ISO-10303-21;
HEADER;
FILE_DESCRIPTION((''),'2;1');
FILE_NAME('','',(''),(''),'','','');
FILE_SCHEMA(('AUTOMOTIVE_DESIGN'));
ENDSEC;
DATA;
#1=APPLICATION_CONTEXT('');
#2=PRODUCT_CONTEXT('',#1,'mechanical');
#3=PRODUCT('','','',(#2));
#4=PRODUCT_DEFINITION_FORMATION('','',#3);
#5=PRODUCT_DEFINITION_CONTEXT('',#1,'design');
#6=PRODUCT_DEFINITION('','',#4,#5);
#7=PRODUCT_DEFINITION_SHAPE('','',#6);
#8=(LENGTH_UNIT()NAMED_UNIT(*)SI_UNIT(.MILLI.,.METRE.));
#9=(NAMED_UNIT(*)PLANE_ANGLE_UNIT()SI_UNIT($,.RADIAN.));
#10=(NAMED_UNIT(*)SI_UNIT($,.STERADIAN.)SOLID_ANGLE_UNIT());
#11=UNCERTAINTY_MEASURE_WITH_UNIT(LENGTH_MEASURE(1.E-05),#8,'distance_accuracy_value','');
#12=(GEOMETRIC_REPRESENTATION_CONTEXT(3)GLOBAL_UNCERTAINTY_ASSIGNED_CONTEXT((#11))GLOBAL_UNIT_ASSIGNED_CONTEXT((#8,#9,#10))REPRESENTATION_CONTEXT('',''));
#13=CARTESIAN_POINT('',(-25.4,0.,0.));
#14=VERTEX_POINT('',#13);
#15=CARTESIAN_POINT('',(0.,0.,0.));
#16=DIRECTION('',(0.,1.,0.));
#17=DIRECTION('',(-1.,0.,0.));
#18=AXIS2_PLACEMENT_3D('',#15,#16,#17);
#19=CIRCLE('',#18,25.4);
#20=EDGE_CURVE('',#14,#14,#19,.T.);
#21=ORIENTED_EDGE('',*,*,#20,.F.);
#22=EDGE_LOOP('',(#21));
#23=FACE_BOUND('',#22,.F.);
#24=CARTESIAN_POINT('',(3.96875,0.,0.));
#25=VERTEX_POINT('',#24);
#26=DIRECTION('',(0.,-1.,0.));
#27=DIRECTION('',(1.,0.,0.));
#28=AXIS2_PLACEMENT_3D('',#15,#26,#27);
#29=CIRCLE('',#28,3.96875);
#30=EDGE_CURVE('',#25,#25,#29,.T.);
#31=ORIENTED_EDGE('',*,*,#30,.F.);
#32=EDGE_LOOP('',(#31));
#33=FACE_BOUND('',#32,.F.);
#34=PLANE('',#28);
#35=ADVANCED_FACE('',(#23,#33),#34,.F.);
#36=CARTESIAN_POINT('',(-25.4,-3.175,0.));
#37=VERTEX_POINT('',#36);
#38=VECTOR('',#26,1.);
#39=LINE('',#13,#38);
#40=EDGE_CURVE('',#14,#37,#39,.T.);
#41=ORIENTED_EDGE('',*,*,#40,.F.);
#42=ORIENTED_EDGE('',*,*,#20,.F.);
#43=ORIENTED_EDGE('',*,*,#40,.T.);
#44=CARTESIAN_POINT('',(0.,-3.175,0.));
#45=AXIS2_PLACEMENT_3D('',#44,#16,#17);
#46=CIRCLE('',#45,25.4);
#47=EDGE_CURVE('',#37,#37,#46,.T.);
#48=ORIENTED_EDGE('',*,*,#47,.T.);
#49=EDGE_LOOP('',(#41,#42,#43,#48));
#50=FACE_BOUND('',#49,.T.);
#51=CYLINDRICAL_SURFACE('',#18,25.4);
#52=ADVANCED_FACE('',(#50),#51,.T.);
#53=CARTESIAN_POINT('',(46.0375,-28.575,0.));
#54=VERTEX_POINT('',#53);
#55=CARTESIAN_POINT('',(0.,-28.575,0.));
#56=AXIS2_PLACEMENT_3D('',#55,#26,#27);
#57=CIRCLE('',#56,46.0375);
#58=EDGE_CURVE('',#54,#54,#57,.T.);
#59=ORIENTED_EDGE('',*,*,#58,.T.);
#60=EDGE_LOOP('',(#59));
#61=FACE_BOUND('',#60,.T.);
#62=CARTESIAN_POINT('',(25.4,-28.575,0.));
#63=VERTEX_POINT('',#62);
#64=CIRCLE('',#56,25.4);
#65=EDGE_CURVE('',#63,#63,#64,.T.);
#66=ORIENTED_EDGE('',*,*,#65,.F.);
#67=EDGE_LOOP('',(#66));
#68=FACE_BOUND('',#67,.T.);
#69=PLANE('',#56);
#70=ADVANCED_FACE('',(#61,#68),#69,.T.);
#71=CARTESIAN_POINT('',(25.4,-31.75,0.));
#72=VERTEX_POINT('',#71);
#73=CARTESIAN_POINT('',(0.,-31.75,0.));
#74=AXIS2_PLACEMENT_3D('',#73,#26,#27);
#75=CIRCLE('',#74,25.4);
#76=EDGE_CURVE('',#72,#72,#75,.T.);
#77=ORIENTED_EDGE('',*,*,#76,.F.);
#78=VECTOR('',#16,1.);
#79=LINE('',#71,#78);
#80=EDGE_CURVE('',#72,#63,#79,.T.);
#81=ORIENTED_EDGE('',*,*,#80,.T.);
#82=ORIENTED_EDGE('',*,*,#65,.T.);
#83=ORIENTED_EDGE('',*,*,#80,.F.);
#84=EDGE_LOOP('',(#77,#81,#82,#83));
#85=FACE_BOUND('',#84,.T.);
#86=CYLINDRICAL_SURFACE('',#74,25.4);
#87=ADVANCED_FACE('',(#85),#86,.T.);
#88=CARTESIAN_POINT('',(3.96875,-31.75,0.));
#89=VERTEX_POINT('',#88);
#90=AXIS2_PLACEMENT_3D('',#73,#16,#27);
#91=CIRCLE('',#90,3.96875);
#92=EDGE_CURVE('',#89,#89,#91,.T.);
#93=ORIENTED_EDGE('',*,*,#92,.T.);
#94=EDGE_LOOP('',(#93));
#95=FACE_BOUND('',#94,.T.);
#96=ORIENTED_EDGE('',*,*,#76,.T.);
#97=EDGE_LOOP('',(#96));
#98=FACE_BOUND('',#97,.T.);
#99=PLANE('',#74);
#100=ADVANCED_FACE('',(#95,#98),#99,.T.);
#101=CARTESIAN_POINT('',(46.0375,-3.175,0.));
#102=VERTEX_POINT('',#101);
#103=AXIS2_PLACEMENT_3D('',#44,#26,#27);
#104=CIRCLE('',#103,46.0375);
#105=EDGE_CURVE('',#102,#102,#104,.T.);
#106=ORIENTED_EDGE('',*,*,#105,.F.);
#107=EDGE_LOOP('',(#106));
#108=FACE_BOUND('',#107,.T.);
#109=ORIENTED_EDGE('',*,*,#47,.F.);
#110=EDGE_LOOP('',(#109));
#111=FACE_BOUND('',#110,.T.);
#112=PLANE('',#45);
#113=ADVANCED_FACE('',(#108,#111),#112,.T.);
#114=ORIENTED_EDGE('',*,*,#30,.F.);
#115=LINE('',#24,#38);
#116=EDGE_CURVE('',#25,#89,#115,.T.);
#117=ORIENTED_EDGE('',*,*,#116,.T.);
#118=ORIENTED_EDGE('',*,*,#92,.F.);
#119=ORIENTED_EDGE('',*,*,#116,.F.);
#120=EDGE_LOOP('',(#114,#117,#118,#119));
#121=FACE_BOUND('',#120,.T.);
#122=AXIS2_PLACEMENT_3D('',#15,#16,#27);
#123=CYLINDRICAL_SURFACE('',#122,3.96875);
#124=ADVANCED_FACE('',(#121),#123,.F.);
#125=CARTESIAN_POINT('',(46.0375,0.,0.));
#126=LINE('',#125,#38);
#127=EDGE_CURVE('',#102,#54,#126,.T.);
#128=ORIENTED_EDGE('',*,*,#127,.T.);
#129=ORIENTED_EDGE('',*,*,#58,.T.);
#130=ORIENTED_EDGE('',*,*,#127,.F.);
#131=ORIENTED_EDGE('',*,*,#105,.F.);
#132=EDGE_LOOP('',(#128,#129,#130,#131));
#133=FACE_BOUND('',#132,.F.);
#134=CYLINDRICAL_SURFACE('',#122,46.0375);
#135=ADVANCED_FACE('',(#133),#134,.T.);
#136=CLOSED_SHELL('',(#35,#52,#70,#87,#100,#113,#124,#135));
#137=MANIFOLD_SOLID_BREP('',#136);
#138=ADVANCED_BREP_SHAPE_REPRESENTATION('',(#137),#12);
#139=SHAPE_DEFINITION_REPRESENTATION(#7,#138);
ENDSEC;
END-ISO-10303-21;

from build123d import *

# Parameters (mm, degrees)
F0_R     = 46.0375
F1_DEPTH = 31.75
F2_R     = 46.0375
F2_R_2   = 25.4
F3_DEPTH = 3.175
F4_R     = 46.0375
F4_R_2   = 25.4
F5_DEPTH = 3.175
F6_R     = 3.96875
F7_DEPTH = 31.751


with BuildPart() as f1:
    # F0 (on Front) → F1 (new body)
    with BuildSketch(Plane.XZ):
        Circle(F0_R)
    extrude(amount=F1_DEPTH)

    # F2 (on face) → F3 (cut)
    with BuildSketch(Plane.XZ.offset(31.75)):
        Circle(F2_R)
        Circle(F2_R_2, mode=Mode.SUBTRACT)
    extrude(amount=-F3_DEPTH, mode=Mode.SUBTRACT)

    # F4 (on face) → F5 (cut)
    with BuildSketch(Plane(origin=(0, 0, 0), x_dir=(-1, 0, 0), z_dir=(0, 1, 0))):
        Circle(F4_R)
        Circle(F4_R_2, mode=Mode.SUBTRACT)
    extrude(amount=-F5_DEPTH, mode=Mode.SUBTRACT)

    # F6 (on Front) → F7 (cut, through all)
    with BuildSketch(Plane.XZ):
        Circle(F6_R)
    extrude(amount=F7_DEPTH, mode=Mode.SUBTRACT)


solid = f1.part
